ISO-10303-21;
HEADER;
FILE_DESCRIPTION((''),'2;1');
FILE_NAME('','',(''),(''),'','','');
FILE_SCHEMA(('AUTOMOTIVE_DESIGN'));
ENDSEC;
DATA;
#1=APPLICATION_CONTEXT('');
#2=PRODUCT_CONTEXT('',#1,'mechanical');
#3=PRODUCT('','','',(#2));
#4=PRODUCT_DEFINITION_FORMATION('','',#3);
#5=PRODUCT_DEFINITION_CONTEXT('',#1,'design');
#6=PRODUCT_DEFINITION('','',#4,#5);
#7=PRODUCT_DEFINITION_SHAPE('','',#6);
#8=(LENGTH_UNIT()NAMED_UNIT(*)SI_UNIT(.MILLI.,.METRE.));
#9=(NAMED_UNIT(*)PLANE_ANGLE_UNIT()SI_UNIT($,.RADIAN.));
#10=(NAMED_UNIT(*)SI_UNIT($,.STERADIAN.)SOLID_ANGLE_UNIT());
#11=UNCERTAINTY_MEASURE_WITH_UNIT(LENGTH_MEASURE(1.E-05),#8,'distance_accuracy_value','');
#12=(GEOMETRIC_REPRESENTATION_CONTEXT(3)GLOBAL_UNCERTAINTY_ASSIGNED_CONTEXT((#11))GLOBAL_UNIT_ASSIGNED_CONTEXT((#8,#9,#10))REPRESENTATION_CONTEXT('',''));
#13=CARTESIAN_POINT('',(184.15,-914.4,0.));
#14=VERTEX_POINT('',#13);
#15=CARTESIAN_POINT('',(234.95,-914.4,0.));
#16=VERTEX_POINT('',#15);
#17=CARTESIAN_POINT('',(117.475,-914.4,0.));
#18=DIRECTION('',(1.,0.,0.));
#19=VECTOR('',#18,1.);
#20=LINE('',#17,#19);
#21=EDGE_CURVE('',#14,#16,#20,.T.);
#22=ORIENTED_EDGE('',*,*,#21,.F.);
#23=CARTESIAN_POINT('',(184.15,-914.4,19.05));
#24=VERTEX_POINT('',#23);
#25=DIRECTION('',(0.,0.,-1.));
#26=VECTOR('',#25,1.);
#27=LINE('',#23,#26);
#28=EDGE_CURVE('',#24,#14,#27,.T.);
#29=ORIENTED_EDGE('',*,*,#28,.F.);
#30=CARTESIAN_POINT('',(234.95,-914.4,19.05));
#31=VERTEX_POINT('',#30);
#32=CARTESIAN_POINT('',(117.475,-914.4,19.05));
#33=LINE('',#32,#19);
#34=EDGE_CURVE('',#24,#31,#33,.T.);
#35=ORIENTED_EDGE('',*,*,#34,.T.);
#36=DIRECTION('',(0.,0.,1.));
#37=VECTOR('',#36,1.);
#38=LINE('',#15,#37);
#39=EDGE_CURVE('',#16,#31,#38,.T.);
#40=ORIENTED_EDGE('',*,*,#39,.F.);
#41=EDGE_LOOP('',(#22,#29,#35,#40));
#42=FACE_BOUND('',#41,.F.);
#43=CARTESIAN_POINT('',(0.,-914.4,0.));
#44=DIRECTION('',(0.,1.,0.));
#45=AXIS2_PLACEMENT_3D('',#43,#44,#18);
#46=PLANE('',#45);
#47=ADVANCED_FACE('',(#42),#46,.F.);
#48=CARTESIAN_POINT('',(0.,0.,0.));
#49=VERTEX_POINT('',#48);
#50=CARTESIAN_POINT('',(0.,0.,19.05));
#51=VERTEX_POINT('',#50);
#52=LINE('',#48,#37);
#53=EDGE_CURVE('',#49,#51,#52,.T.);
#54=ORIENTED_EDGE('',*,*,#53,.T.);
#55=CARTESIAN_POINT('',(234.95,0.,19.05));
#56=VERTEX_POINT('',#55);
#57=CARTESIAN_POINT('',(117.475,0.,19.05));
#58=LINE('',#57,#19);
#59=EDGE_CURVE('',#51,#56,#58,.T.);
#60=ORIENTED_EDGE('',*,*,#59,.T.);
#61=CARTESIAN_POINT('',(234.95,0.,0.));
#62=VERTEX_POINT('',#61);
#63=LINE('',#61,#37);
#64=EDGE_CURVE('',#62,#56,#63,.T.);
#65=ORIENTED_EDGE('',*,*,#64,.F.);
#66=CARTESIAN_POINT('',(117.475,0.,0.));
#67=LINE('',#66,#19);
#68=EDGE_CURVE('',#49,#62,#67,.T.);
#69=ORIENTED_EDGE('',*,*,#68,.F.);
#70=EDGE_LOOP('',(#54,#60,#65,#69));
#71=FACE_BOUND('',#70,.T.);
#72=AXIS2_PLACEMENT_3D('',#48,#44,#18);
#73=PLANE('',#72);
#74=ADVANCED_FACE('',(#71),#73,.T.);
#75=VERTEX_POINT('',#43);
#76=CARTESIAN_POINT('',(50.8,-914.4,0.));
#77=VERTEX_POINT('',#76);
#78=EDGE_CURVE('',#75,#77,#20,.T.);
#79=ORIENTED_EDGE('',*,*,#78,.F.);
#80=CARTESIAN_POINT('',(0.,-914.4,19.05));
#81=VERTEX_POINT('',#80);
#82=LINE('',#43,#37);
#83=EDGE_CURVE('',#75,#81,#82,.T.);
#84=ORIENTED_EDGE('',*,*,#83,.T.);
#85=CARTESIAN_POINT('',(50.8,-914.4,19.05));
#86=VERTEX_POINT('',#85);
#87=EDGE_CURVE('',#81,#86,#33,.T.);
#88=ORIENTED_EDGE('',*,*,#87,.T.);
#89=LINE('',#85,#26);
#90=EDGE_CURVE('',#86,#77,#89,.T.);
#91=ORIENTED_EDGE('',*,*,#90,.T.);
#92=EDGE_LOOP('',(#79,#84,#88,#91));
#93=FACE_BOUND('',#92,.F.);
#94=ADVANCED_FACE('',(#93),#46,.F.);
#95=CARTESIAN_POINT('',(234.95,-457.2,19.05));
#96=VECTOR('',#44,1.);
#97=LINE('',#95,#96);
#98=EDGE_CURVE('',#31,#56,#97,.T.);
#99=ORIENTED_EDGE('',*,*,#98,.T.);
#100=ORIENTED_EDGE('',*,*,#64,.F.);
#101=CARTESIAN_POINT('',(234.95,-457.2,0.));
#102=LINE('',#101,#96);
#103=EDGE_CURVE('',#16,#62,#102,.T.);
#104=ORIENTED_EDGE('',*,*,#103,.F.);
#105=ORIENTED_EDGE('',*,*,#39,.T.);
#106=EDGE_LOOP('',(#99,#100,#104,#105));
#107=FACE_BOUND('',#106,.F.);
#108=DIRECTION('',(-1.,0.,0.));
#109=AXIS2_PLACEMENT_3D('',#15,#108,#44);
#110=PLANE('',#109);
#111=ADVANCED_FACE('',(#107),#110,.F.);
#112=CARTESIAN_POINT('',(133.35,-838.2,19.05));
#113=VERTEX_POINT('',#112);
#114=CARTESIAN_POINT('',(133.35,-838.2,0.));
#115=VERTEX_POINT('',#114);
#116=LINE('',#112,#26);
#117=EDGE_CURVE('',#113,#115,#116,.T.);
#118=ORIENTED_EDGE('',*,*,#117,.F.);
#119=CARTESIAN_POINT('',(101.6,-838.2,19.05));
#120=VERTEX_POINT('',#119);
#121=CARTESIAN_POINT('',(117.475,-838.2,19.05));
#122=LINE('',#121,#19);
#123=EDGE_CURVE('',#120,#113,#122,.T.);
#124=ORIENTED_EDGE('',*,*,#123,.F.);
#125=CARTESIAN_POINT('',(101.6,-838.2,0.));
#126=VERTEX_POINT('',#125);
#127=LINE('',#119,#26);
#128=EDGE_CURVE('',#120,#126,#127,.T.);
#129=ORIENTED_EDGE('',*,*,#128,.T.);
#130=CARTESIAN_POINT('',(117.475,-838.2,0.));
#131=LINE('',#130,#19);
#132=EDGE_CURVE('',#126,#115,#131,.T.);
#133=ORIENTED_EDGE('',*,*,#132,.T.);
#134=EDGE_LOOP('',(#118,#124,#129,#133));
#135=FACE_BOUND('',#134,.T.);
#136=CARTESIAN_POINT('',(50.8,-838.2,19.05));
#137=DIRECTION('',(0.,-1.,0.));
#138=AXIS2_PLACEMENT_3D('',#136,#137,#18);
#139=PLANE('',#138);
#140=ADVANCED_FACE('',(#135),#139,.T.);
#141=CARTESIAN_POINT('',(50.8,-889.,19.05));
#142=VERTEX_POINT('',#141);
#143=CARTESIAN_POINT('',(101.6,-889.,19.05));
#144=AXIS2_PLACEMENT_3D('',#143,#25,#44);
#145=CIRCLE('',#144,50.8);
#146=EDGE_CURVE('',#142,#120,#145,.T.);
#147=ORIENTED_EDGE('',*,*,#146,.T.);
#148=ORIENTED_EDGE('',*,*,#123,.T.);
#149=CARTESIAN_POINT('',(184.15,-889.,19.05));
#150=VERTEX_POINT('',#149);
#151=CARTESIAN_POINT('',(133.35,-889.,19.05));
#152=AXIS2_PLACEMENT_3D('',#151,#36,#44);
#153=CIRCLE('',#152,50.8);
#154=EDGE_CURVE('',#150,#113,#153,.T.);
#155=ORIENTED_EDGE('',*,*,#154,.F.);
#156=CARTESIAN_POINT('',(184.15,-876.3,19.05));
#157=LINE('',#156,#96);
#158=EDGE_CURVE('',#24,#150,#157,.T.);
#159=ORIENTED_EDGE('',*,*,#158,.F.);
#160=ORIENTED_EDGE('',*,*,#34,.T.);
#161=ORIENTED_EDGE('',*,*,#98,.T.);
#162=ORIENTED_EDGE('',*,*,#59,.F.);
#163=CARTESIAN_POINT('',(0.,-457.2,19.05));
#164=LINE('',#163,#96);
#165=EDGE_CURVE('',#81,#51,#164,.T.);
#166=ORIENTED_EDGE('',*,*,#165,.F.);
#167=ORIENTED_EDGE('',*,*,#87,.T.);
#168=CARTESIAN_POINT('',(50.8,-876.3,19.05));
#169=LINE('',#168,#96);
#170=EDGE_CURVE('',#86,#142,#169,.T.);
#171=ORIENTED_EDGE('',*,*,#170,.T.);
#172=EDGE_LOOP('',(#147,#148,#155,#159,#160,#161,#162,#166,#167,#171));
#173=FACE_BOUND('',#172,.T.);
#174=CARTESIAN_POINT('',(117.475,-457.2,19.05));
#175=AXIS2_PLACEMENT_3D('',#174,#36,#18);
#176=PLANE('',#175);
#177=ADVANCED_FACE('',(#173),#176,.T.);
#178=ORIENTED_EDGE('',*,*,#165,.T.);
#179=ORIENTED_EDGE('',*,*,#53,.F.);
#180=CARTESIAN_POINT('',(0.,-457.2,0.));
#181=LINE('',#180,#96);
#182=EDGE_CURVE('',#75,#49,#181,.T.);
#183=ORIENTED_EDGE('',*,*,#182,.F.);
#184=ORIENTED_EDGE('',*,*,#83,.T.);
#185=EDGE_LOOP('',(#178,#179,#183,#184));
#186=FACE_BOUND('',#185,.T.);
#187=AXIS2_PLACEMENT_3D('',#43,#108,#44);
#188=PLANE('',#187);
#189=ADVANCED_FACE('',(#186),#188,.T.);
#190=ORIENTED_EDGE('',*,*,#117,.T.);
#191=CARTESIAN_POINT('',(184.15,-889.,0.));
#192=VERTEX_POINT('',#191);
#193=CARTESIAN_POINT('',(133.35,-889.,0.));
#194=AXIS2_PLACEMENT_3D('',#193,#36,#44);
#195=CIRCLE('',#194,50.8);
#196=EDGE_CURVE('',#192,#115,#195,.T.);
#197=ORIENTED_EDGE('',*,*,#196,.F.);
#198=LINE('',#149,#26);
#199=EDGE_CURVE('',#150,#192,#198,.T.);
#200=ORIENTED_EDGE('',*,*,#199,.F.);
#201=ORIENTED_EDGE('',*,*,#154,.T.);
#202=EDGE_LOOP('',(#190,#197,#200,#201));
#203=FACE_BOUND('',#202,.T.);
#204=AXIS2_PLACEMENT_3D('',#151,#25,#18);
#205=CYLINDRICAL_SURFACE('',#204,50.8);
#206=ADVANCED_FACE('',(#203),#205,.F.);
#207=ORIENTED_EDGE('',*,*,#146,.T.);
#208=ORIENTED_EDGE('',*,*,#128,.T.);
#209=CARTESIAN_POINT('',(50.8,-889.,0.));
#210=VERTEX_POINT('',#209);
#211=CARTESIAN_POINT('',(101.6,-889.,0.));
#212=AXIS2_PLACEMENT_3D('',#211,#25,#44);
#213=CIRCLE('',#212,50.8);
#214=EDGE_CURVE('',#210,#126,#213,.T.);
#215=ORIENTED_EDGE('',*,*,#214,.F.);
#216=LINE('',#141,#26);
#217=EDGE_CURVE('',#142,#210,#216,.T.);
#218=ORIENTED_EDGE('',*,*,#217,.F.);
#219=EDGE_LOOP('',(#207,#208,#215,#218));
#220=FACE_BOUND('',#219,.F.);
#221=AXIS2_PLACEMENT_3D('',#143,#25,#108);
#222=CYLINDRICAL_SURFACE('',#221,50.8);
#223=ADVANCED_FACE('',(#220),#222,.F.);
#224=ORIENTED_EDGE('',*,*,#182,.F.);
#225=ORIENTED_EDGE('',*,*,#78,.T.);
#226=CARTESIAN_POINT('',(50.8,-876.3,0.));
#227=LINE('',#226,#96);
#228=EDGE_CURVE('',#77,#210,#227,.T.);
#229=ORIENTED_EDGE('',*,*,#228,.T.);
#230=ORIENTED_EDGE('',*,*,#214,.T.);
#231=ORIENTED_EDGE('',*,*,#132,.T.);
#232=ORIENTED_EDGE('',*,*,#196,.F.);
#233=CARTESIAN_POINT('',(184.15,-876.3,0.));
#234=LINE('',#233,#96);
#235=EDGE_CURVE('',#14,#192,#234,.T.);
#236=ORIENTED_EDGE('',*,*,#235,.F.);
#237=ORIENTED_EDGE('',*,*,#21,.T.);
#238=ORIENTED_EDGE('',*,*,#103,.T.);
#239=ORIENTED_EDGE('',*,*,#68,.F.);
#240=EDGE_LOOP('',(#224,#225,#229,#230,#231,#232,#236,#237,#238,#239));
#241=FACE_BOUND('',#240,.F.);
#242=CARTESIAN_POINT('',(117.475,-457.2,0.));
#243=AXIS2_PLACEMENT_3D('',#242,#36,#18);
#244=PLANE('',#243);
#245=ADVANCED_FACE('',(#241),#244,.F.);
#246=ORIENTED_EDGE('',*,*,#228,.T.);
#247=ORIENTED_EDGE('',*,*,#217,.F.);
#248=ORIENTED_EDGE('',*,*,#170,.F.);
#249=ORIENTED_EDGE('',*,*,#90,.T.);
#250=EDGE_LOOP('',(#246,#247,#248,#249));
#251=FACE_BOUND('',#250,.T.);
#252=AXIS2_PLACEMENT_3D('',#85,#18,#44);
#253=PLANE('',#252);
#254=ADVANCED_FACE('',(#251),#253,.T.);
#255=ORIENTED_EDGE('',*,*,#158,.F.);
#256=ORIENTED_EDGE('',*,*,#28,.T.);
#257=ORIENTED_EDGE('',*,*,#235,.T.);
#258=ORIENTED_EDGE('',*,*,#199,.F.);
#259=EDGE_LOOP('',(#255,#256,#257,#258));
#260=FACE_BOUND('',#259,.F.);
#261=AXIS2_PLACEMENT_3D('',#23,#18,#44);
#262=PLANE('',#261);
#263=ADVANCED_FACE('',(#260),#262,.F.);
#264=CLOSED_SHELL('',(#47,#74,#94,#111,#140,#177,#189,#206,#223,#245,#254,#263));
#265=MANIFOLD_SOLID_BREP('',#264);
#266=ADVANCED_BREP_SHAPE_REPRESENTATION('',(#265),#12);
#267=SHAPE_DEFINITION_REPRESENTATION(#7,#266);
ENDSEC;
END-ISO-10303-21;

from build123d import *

# Parameters (mm, degrees)
F0_W     = 234.95
F0_H     = 914.4
F1_DEPTH = 19.05
F2_W     = 133.35
F2_H     = 76.2
F3_DEPTH = 19.05
F4_R     = 50.8


with BuildPart() as f1:
    # F0 (on Top) → F1 (new body)
    with BuildSketch(Plane.XY):
        with Locations((117.475, -457.2)):
            Rectangle(F0_W, F0_H)
    extrude(amount=F1_DEPTH)

    # F2 (on face) → F3 (cut)
    with BuildSketch(Plane.XY.offset(19.05)):
        with Locations((117.475, -876.3)):
            Rectangle(F2_W, F2_H)
    extrude(amount=-F3_DEPTH, mode=Mode.SUBTRACT)

    # F4
    f4_edges = [f1.edges().sort_by_distance(p)[0] for p in [
        (50.8, -838.2, 9.525),
        (184.15, -838.2, 9.525),
    ]]
    fillet(f4_edges, radius=F4_R)


solid = f1.part
